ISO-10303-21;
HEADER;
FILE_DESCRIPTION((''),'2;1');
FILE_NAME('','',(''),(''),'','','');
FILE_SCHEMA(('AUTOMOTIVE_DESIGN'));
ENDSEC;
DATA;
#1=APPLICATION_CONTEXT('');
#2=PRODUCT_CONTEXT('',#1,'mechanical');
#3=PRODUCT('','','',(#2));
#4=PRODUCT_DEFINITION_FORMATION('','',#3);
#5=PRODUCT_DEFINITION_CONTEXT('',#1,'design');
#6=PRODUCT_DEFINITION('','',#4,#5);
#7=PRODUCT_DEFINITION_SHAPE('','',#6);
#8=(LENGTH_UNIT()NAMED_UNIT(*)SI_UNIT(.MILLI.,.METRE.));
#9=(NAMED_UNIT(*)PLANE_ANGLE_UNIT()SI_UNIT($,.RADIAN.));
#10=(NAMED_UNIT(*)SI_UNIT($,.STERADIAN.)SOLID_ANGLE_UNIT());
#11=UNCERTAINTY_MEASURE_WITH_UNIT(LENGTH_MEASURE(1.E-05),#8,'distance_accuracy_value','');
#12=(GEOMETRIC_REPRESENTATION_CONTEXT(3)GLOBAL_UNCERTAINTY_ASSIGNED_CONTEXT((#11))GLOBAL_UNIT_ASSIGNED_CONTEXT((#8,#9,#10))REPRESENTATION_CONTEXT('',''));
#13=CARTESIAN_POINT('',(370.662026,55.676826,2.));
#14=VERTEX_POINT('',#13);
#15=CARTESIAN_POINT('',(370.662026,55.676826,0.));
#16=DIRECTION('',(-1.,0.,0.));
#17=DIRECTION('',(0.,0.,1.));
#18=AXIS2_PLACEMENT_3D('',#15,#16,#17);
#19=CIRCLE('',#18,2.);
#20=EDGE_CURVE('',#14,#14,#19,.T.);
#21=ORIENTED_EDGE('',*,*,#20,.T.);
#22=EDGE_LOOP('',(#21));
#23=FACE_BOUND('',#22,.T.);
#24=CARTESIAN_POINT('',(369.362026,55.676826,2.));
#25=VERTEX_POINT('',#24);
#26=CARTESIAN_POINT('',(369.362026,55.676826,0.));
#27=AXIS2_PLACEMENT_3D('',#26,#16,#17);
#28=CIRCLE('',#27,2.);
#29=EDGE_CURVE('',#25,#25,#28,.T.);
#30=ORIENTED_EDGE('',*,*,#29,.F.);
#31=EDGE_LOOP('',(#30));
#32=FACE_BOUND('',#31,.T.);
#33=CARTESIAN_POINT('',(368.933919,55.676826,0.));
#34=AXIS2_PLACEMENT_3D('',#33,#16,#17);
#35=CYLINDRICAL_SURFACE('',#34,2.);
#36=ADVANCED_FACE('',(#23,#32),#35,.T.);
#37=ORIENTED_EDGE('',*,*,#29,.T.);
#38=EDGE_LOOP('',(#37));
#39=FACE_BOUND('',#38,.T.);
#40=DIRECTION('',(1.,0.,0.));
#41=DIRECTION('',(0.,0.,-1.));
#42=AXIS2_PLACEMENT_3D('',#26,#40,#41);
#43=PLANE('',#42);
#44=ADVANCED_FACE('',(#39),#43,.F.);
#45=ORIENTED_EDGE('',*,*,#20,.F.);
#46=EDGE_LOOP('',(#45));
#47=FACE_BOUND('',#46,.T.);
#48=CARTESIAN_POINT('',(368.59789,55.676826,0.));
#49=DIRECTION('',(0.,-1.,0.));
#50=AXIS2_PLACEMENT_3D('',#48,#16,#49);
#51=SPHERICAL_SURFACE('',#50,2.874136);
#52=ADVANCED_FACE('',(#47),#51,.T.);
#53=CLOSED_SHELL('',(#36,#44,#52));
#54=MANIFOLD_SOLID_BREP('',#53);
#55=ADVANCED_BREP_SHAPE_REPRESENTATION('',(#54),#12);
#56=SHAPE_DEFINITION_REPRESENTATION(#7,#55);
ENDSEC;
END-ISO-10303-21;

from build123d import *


with BuildPart() as part:
    # 草图1 → 旋转1 (revolve)
    with BuildSketch(Plane.XY, mode=Mode.PRIVATE) as revolve_1_sk:
        with BuildLine():
            Line((369.362026145, 55.67682588), (369.362026145, 57.67682588))
            Line((369.362026145, 57.67682588), (370.662026145, 57.67682588))
            ThreePointArc((370.662026145, 57.67682588), (371.261840719, 56.755725782), (371.472026145, 55.67682588))
            Line((371.472026145, 55.67682588), (369.362026145, 55.67682588))
        make_face()
    revolve(revolve_1_sk.sketch.rotate(Axis((368.933919451, 55.67682588, 0), (1, 0, 0)), 180), axis=Axis((368.933919451, 55.67682588, 0), (1, 0, 0)))  # turned: the seam where the file's is


solid = part.part
